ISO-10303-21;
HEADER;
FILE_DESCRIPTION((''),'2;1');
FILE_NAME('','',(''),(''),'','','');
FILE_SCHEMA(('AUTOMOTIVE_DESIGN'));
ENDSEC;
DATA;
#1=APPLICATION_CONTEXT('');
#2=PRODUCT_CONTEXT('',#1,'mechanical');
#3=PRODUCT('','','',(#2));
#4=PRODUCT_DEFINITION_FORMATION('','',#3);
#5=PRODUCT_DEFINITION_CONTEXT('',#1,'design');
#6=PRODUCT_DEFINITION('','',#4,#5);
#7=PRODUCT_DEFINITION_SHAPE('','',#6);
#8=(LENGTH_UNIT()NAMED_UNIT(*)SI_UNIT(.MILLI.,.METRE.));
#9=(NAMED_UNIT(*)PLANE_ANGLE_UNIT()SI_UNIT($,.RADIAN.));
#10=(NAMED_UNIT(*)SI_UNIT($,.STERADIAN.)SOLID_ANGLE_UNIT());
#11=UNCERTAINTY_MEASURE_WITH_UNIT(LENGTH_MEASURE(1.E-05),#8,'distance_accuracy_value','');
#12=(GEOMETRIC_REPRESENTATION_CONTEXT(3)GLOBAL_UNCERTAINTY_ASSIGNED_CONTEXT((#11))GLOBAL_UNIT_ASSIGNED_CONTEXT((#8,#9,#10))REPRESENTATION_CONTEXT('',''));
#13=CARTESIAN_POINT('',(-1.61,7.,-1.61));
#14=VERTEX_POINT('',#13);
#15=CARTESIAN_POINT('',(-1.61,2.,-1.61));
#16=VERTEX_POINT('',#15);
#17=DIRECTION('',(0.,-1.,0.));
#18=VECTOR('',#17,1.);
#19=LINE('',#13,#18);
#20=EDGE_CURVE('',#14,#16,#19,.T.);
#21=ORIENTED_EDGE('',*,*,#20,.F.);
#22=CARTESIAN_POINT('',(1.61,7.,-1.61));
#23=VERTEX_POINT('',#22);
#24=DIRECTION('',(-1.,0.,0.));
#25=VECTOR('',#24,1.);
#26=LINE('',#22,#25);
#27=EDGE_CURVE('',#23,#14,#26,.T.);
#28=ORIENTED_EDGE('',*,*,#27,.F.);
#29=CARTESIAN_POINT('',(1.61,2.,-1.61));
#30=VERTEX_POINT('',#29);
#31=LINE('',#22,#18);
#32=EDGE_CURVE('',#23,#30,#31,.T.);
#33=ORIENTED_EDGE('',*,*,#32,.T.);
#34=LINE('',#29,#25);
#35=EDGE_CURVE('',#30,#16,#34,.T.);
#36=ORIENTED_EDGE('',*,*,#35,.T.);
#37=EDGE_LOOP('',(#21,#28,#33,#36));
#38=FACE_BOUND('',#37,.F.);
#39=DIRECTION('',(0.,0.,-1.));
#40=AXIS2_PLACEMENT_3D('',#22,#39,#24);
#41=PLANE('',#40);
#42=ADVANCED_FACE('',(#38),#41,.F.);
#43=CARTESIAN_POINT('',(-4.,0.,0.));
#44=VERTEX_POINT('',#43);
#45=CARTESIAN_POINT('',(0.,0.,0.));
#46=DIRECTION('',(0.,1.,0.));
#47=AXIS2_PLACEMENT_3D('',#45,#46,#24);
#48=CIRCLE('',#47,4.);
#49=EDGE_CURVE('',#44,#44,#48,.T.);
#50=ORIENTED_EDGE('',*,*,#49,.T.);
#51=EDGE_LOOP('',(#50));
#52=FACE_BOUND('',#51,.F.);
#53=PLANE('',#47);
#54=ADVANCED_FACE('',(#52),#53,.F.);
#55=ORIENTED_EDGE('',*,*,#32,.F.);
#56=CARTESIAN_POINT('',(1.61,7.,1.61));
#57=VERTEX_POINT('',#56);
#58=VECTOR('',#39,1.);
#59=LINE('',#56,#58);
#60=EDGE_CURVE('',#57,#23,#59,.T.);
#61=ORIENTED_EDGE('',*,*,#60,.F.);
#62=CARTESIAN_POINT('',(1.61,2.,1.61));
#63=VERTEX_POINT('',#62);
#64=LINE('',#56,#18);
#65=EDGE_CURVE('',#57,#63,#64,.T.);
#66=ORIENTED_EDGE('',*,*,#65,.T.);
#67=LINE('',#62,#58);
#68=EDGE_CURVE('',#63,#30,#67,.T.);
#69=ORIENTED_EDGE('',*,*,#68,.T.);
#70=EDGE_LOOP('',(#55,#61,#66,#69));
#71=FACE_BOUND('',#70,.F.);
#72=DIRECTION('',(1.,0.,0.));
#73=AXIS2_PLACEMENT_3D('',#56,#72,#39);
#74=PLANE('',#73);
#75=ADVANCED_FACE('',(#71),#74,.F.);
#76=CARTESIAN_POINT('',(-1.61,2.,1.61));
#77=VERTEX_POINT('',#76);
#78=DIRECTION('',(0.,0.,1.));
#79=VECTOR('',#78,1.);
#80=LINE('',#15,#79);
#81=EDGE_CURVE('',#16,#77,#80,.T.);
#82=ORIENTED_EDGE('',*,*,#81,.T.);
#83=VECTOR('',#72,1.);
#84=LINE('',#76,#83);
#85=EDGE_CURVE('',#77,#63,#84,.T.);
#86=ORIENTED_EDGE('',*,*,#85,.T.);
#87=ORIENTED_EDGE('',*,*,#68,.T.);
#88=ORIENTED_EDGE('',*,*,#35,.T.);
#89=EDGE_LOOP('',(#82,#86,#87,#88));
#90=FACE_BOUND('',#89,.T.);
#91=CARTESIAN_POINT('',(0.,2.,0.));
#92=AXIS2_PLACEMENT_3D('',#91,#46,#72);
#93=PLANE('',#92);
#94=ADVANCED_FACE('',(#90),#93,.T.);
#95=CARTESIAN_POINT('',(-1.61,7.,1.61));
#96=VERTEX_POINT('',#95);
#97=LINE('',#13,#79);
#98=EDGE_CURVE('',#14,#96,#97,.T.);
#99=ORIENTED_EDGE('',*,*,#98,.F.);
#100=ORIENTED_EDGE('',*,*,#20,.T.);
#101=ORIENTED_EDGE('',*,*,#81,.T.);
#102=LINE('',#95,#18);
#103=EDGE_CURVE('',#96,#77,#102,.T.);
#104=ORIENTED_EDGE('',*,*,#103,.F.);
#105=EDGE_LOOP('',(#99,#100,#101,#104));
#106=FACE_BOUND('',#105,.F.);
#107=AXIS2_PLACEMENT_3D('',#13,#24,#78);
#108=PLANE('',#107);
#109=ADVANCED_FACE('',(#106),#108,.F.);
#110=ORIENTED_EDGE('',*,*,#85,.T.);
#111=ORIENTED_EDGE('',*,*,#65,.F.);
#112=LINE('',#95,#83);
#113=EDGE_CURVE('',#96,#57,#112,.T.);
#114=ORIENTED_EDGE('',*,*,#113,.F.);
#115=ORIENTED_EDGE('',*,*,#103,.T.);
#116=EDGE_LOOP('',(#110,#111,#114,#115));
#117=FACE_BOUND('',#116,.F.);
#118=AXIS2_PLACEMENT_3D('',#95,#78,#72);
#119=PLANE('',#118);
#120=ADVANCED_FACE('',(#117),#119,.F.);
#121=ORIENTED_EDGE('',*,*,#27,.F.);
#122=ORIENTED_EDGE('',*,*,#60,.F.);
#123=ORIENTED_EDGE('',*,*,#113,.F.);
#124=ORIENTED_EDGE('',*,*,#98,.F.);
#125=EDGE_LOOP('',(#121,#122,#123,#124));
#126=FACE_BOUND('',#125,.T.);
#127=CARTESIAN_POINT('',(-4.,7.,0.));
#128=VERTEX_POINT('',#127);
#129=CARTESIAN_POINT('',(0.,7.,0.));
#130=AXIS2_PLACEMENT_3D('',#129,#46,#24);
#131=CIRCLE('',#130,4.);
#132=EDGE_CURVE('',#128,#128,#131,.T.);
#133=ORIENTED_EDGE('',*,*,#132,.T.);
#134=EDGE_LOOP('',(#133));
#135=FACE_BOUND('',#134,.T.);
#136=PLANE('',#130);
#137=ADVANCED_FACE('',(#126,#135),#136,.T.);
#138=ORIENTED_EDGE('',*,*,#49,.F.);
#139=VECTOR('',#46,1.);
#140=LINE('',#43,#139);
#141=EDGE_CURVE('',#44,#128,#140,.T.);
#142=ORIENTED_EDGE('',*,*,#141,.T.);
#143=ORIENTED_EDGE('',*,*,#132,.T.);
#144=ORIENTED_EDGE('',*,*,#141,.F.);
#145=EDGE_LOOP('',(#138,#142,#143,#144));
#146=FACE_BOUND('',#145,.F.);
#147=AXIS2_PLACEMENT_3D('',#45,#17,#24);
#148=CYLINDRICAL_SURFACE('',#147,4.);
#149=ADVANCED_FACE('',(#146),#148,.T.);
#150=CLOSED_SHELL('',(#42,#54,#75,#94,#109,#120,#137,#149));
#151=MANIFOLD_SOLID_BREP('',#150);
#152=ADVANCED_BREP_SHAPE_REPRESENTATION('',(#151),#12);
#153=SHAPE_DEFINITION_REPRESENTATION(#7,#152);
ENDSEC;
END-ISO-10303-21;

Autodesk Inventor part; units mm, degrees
ref_plane "YZ Plane" through (0, 0, 0) normal (1, 0, 0) x (0, 1, 0)
ref_plane "XZ Plane" through (0, 0, 0) normal (0, 1, 0) x (-1, 0, 0)
ref_plane "XY Plane" through (0, 0, 0) normal (0, 0, 1) x (1, 0, 0)
sketch "Sketch1" plane through (0, 0, 0) normal (0, 1, 0) x (-1, 0, 0)
  circle A0 centre (0, 0) radius 4
  dimension "d0" = 8
extrude "Extrusion1" add sketch "Sketch1" along normal blind 7
sketch "Sketch2" plane through (0, 7, 0) normal (0, 1, 0) x (1, 0, 0)
  line L0 (-1.61, -1.61) -> (1.61, -1.61)
  line L1 (1.61, -1.61) -> (1.61, 1.61)
  line L2 (1.61, 1.61) -> (-1.61, 1.61)
  line L3 (-1.61, 1.61) -> (-1.61, -1.61)
  point P0 (0, 0)
  dimension "d3" = 3.22
  dimension "d4" = 1.61
  dimension "d6" = 1.61
extrude "Extrusion2" cut sketch "Sketch2" against normal blind 5
equation "\"d4\" = 0.5 * d3"
equation "\"d6\" = 0.5 * d3"
properties part number "Wheel_cap_extended"
